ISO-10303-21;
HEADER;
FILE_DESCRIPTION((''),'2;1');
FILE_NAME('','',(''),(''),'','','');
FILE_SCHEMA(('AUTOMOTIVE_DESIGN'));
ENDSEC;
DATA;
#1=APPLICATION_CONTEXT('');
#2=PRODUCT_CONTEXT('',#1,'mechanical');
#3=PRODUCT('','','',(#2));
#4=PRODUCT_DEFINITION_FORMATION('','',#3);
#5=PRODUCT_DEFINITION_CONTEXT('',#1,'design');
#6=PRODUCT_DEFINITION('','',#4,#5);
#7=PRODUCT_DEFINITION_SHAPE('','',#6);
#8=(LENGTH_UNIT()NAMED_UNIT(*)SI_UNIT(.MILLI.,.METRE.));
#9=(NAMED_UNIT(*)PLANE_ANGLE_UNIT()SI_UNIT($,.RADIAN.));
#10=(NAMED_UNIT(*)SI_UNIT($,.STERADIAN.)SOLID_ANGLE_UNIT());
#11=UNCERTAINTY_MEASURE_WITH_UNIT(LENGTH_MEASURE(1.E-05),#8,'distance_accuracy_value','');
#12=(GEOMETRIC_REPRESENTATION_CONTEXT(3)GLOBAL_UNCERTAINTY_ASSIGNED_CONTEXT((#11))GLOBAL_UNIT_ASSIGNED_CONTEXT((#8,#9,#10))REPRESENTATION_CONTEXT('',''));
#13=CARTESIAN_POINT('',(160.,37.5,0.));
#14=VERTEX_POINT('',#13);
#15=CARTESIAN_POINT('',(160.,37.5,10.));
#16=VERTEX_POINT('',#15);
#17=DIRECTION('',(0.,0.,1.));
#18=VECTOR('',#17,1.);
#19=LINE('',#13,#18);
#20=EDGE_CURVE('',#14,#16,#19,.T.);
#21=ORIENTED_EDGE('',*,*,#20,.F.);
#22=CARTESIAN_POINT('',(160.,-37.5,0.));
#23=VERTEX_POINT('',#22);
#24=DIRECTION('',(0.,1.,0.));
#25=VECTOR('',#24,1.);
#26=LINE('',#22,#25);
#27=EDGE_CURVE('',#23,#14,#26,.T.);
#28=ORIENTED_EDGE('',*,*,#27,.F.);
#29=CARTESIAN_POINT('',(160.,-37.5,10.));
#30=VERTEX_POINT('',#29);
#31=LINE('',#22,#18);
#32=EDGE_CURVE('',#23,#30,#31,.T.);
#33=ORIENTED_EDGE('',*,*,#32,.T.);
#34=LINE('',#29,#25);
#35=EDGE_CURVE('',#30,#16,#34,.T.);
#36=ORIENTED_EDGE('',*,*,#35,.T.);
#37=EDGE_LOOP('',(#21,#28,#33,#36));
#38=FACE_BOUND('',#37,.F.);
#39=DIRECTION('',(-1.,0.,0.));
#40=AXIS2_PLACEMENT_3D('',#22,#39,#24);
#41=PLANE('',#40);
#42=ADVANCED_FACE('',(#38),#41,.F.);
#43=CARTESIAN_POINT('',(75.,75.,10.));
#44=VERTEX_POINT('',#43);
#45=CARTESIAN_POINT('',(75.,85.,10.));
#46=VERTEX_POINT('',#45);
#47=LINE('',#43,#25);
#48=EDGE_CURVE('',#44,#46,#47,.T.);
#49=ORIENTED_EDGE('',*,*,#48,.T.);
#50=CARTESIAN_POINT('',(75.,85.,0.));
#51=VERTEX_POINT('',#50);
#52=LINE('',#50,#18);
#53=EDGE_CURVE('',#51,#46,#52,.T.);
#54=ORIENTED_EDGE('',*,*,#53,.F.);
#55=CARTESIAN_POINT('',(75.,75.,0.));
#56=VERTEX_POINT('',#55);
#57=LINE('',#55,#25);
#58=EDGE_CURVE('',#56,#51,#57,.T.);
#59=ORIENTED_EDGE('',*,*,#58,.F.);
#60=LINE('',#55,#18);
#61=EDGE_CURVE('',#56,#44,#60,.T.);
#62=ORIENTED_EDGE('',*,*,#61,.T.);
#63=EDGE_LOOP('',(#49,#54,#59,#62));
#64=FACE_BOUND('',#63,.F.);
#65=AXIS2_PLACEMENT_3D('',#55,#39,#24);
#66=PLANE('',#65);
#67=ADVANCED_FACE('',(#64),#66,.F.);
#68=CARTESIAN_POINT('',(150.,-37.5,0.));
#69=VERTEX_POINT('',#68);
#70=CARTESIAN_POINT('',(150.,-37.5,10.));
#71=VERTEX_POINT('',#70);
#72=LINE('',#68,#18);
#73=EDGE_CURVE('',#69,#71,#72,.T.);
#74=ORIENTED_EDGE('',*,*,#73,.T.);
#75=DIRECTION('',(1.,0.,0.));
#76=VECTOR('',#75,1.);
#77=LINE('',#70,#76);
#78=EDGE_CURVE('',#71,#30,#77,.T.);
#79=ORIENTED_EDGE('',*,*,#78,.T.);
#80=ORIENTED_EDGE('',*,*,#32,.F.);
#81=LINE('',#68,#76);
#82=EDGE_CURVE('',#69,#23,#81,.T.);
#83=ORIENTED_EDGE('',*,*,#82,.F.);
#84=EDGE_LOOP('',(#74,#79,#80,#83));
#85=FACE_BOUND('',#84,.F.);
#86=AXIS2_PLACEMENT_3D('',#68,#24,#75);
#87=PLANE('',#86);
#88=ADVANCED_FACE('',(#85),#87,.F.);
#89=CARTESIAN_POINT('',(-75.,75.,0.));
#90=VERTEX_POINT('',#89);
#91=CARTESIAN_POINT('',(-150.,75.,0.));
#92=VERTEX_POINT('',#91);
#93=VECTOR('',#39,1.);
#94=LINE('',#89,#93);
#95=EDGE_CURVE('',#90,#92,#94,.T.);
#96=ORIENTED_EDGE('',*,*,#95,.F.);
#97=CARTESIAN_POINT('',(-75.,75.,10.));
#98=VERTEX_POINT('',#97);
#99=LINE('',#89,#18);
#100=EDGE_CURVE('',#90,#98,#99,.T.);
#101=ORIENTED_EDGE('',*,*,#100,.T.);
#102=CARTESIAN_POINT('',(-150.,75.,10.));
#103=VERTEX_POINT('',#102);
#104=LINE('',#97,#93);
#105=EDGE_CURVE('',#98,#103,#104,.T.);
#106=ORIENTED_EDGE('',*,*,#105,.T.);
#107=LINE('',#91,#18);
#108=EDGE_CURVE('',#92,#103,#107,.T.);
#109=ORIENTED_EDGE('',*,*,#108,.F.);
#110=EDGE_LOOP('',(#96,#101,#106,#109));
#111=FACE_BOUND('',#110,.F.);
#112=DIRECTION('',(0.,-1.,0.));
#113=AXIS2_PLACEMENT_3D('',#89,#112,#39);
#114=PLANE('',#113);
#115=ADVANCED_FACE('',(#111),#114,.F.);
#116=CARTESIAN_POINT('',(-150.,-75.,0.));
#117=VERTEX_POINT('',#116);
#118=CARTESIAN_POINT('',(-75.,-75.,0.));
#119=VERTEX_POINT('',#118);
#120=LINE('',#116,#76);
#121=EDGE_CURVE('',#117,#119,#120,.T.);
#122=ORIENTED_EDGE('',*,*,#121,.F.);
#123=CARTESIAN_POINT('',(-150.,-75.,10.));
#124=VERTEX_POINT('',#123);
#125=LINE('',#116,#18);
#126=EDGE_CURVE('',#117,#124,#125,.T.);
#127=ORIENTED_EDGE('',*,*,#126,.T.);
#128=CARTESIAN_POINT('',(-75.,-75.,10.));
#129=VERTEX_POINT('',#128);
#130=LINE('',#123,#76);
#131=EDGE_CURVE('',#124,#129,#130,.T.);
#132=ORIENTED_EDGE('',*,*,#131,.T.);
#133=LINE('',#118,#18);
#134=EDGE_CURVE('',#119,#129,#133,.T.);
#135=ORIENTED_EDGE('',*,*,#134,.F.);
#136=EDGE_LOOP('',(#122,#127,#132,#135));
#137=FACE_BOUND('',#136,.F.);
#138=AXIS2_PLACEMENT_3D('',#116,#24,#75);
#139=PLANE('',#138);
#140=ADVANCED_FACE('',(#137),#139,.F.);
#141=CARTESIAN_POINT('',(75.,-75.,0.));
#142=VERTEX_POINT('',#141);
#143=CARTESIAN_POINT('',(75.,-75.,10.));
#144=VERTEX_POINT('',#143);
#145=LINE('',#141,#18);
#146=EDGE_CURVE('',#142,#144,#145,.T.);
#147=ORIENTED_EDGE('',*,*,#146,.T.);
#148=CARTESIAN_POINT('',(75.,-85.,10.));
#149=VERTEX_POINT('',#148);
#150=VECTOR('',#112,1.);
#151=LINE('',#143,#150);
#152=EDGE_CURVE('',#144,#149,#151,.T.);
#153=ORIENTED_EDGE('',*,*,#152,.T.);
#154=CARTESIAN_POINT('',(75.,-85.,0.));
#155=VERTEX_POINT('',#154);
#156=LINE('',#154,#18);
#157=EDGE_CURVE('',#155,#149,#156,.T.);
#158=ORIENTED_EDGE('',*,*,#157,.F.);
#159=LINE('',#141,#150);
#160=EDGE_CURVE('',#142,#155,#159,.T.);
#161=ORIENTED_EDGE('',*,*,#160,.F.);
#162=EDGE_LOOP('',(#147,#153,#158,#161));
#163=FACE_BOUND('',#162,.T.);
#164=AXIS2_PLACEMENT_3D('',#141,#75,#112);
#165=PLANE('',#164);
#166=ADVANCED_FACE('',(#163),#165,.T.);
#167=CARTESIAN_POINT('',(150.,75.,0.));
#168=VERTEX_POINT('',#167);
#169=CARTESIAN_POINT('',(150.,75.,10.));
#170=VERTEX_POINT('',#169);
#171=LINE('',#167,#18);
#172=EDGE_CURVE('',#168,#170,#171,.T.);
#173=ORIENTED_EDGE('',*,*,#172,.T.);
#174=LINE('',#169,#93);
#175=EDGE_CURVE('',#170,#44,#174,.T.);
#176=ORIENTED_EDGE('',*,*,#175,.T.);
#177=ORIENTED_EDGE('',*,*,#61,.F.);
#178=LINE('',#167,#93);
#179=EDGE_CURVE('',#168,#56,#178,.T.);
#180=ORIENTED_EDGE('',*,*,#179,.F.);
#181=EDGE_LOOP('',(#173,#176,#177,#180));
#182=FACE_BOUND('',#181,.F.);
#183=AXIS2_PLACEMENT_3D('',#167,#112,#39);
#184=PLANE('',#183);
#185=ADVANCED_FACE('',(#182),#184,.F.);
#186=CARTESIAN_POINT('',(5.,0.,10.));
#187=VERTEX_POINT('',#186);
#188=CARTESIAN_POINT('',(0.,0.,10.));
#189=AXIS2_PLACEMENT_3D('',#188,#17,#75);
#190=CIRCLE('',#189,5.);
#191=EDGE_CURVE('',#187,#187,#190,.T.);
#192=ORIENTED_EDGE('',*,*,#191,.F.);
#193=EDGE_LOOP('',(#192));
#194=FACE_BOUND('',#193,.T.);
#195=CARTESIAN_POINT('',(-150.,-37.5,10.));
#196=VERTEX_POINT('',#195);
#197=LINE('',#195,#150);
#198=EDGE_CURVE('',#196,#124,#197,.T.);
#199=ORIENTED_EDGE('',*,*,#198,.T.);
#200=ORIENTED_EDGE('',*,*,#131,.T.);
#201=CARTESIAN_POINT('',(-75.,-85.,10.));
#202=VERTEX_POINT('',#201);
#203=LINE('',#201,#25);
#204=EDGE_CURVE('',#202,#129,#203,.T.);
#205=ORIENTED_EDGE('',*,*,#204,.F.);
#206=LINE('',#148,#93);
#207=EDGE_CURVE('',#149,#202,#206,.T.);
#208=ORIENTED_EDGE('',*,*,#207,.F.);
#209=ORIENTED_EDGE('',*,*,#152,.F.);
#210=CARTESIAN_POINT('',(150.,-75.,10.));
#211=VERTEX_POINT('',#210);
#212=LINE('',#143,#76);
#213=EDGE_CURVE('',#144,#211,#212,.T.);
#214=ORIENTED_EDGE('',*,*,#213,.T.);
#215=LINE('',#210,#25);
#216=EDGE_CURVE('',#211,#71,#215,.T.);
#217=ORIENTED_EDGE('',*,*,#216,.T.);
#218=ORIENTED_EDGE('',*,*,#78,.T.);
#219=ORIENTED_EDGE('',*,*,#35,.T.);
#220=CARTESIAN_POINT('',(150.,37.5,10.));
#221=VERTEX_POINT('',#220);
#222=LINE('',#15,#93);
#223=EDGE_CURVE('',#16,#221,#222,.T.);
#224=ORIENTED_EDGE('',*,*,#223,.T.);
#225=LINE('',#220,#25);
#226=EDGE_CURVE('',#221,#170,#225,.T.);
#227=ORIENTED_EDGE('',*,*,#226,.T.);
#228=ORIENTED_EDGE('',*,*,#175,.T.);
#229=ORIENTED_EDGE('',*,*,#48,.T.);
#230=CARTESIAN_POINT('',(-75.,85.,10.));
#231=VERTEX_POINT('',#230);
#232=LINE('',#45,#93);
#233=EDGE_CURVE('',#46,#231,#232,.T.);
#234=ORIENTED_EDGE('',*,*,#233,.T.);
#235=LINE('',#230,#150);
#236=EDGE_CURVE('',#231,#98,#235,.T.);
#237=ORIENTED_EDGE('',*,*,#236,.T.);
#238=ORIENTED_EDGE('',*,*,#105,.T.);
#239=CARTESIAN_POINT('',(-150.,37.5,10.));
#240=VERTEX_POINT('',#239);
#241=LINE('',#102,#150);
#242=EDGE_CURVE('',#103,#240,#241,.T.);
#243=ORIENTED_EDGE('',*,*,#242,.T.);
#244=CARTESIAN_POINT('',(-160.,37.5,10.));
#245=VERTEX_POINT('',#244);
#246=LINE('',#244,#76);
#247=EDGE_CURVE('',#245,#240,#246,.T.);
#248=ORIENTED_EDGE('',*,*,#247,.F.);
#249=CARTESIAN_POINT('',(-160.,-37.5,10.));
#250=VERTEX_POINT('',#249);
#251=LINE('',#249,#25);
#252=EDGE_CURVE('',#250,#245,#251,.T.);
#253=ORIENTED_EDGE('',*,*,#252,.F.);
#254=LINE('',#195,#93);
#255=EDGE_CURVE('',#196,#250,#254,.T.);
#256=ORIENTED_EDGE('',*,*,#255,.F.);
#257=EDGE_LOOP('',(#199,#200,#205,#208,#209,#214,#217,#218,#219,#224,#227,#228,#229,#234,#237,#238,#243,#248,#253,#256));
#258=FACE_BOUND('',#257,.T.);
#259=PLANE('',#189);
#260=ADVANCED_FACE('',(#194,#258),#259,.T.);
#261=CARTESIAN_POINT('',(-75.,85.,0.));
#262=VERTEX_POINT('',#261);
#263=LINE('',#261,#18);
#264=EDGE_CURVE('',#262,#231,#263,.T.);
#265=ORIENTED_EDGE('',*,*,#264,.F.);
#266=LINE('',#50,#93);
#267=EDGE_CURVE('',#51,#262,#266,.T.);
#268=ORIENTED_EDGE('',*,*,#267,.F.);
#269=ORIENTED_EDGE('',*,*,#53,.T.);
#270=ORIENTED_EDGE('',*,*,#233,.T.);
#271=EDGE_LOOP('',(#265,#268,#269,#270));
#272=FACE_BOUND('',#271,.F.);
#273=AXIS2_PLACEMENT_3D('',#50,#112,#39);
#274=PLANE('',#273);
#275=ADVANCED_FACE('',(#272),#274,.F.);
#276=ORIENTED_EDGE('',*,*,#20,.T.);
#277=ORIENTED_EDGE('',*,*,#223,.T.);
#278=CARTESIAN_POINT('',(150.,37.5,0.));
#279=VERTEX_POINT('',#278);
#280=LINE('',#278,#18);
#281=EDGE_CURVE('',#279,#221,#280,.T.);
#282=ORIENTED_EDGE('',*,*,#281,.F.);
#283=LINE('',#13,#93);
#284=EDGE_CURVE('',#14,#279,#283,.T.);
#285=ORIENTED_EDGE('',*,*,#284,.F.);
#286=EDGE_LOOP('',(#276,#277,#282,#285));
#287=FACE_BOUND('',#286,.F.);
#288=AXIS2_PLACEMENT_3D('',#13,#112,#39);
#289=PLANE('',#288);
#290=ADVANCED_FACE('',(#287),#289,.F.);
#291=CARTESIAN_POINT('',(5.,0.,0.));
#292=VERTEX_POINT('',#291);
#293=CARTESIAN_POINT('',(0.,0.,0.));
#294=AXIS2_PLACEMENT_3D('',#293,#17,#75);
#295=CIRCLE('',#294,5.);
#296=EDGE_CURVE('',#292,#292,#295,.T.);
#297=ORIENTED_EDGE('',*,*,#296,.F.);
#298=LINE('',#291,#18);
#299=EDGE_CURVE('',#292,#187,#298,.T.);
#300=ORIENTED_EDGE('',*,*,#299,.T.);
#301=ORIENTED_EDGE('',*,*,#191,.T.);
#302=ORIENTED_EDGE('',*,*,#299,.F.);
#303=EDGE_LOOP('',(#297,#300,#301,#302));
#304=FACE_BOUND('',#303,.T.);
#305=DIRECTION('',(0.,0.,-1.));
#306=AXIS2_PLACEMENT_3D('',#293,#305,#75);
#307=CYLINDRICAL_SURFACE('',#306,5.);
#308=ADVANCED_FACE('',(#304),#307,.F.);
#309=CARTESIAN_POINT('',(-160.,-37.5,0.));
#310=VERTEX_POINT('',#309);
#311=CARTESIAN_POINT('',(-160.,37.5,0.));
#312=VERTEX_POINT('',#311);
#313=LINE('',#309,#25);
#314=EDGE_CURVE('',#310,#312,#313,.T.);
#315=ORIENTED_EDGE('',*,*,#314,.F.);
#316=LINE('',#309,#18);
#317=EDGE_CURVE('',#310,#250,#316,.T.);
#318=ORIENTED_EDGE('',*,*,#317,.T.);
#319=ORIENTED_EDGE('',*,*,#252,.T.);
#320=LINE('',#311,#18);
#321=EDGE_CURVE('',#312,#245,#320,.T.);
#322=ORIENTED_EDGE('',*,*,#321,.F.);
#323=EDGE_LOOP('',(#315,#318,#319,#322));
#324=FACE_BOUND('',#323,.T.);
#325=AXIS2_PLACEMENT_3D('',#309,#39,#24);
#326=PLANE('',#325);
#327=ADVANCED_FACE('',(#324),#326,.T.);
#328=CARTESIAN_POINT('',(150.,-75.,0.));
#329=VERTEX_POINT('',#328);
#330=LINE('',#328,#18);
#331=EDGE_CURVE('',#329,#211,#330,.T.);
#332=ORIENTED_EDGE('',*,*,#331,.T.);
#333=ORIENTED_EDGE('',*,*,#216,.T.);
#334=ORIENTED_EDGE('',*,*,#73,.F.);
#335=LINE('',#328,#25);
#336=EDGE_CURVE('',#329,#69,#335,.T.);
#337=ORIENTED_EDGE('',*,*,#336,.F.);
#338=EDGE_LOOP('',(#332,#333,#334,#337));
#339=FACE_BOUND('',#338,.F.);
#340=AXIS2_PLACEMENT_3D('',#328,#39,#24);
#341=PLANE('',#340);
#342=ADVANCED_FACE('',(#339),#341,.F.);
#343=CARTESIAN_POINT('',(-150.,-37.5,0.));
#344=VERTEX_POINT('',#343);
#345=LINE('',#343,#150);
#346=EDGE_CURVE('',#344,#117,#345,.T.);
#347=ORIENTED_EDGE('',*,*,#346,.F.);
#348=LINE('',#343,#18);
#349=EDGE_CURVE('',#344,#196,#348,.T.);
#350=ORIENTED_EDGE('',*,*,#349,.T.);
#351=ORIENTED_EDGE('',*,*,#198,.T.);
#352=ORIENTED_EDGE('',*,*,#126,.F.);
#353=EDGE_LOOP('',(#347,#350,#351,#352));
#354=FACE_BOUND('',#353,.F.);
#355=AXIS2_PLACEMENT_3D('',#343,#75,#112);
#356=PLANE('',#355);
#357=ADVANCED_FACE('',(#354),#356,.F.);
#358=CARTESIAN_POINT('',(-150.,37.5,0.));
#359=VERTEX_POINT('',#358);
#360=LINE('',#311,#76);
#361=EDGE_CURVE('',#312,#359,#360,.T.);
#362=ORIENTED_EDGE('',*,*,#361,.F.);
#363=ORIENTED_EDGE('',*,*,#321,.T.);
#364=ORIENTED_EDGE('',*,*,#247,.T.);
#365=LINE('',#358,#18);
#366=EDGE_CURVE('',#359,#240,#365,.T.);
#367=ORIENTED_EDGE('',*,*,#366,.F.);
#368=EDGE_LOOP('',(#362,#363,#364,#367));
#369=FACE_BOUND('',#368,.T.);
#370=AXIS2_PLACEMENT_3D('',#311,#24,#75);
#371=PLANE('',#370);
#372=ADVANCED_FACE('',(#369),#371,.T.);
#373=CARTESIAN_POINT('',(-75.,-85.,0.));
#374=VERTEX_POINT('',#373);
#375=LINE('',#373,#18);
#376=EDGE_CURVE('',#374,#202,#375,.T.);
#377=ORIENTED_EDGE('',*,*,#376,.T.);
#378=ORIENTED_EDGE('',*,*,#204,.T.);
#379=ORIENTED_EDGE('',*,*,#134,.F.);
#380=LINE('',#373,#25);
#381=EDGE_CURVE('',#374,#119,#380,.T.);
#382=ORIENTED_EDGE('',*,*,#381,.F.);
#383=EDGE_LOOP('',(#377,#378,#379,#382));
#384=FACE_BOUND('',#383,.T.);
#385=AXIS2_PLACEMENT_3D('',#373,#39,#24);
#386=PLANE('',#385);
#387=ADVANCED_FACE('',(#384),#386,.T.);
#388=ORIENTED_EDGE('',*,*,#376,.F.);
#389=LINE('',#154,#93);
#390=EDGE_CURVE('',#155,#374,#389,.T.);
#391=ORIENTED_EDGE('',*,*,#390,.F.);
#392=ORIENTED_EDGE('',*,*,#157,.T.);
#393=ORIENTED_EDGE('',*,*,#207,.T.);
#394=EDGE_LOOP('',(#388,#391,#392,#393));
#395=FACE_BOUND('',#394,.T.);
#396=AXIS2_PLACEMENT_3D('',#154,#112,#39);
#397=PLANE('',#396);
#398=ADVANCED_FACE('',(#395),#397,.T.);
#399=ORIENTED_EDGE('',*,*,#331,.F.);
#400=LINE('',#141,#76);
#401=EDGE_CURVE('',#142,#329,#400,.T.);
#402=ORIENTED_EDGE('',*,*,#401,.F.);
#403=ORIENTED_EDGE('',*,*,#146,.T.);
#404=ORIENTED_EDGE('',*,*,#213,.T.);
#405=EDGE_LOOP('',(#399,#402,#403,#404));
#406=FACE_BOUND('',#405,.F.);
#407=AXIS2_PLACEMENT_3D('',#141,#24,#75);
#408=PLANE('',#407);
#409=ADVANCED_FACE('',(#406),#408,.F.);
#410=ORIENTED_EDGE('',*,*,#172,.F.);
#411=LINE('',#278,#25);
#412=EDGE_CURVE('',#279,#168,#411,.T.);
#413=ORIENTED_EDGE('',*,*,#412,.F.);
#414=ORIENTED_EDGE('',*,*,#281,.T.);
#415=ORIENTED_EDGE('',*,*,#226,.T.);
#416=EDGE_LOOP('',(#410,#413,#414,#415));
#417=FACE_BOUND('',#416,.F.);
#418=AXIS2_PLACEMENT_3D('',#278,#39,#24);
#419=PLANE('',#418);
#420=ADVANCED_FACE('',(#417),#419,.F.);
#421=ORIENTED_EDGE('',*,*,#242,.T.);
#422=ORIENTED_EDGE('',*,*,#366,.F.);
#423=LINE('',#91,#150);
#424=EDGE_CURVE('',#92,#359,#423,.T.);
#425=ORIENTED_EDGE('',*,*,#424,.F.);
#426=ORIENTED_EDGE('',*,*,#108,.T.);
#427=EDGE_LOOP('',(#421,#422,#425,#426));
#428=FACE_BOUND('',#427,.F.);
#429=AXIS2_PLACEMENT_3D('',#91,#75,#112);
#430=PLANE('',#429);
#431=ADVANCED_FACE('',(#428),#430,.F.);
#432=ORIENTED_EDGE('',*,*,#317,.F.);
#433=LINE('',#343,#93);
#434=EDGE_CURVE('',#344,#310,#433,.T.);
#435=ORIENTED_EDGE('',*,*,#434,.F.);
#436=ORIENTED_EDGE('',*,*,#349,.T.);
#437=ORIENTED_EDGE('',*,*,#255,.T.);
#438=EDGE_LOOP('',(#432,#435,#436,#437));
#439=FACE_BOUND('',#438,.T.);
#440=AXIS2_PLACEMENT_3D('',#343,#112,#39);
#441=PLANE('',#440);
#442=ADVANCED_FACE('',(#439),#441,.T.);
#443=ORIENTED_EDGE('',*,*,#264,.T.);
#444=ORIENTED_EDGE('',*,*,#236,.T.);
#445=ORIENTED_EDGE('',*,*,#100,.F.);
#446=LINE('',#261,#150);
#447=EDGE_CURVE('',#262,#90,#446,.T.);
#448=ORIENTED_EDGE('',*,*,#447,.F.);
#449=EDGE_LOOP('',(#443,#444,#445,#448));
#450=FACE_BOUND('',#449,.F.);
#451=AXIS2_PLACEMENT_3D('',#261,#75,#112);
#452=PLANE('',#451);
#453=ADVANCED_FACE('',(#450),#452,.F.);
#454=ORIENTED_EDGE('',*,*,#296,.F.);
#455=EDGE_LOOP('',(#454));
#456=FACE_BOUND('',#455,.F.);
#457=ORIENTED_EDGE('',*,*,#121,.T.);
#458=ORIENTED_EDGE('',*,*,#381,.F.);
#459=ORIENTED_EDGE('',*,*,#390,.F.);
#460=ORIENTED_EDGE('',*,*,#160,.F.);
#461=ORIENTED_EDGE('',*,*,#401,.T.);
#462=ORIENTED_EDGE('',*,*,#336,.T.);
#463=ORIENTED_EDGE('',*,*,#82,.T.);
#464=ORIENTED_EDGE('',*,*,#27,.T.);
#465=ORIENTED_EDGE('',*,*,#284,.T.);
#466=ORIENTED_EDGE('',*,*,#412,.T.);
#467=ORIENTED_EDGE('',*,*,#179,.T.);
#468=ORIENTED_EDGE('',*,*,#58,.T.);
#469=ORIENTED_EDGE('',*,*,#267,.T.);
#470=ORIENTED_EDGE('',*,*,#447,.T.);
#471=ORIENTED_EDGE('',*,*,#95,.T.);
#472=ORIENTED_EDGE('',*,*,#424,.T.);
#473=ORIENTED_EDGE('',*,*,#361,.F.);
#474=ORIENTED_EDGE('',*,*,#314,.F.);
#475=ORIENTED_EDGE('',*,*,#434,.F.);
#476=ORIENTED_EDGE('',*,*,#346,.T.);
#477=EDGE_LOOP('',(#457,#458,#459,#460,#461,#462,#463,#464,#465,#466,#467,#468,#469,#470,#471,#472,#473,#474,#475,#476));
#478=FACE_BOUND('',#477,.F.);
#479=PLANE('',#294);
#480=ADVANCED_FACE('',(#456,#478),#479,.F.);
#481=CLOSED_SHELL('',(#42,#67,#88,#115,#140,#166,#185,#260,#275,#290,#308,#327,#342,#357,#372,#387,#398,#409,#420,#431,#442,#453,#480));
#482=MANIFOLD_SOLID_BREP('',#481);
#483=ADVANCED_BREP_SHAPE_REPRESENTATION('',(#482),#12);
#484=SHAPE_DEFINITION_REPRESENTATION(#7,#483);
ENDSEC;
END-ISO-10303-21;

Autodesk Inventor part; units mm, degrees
ref_plane "YZ Plane" through (0, 0, 0) normal (1, 0, 0) x (0, 1, 0)
ref_plane "XZ Plane" through (0, 0, 0) normal (0, 1, 0) x (-1, 0, 0)
ref_plane "XY Plane" through (0, 0, 0) normal (0, 0, 1) x (1, 0, 0)
sketch "Skizze1" plane through (0, 0, 0) normal (0, 0, 1) x (1, 0, 0)
  line L0 (-150, -37.5) -> (-160, -37.5)
  line L1 (-160, -37.5) -> (-160, 37.5)
  line L2 (-160, 37.5) -> (-150, 37.5)
  line L3 (75, 75) -> (75, 85)
  line L4 (75, 85) -> (-75, 85)
  line L5 (-75, 85) -> (-75, 75)
  line L6 (0, -75) -> (0, 75) construction
  line L7 (-150, 0) -> (150, 0) construction
  line L8 (150, -37.5) -> (160, -37.5)
  line L9 (160, -37.5) -> (160, 37.5)
  line L10 (160, 37.5) -> (150, 37.5)
  line L11 (75, -75) -> (75, -85)
  line L12 (75, -85) -> (-75, -85)
  line L13 (-75, -85) -> (-75, -75)
  line L14 (-150, 75) -> (-150, 37.5)
  line L15 (-150, -37.5) -> (-150, -75)
  line L16 (-150, -75) -> (-75, -75)
  line L17 (75, -75) -> (150, -75)
  line L18 (150, -75) -> (150, -37.5)
  line L19 (150, 37.5) -> (150, 75)
  line L20 (150, 75) -> (75, 75)
  line L21 (-75, 75) -> (-150, 75)
  circle A0 centre (0, 0) radius 5
  dimension "d14" = 300
  dimension "d15" = 150
  dimension "d16" = 75
  dimension "d17" = 150
  dimension "d18" = 10
  dimension "d21" = 10
  dimension "d24" = 320
  dimension "d25" = 10
  dimension "d26" = 10
extrude "Extrusion3" add sketch "Skizze1" along normal blind 10
equation "\"d9\" = d10"
equation "\"d10\" = 12"
properties part number "Platte4"
